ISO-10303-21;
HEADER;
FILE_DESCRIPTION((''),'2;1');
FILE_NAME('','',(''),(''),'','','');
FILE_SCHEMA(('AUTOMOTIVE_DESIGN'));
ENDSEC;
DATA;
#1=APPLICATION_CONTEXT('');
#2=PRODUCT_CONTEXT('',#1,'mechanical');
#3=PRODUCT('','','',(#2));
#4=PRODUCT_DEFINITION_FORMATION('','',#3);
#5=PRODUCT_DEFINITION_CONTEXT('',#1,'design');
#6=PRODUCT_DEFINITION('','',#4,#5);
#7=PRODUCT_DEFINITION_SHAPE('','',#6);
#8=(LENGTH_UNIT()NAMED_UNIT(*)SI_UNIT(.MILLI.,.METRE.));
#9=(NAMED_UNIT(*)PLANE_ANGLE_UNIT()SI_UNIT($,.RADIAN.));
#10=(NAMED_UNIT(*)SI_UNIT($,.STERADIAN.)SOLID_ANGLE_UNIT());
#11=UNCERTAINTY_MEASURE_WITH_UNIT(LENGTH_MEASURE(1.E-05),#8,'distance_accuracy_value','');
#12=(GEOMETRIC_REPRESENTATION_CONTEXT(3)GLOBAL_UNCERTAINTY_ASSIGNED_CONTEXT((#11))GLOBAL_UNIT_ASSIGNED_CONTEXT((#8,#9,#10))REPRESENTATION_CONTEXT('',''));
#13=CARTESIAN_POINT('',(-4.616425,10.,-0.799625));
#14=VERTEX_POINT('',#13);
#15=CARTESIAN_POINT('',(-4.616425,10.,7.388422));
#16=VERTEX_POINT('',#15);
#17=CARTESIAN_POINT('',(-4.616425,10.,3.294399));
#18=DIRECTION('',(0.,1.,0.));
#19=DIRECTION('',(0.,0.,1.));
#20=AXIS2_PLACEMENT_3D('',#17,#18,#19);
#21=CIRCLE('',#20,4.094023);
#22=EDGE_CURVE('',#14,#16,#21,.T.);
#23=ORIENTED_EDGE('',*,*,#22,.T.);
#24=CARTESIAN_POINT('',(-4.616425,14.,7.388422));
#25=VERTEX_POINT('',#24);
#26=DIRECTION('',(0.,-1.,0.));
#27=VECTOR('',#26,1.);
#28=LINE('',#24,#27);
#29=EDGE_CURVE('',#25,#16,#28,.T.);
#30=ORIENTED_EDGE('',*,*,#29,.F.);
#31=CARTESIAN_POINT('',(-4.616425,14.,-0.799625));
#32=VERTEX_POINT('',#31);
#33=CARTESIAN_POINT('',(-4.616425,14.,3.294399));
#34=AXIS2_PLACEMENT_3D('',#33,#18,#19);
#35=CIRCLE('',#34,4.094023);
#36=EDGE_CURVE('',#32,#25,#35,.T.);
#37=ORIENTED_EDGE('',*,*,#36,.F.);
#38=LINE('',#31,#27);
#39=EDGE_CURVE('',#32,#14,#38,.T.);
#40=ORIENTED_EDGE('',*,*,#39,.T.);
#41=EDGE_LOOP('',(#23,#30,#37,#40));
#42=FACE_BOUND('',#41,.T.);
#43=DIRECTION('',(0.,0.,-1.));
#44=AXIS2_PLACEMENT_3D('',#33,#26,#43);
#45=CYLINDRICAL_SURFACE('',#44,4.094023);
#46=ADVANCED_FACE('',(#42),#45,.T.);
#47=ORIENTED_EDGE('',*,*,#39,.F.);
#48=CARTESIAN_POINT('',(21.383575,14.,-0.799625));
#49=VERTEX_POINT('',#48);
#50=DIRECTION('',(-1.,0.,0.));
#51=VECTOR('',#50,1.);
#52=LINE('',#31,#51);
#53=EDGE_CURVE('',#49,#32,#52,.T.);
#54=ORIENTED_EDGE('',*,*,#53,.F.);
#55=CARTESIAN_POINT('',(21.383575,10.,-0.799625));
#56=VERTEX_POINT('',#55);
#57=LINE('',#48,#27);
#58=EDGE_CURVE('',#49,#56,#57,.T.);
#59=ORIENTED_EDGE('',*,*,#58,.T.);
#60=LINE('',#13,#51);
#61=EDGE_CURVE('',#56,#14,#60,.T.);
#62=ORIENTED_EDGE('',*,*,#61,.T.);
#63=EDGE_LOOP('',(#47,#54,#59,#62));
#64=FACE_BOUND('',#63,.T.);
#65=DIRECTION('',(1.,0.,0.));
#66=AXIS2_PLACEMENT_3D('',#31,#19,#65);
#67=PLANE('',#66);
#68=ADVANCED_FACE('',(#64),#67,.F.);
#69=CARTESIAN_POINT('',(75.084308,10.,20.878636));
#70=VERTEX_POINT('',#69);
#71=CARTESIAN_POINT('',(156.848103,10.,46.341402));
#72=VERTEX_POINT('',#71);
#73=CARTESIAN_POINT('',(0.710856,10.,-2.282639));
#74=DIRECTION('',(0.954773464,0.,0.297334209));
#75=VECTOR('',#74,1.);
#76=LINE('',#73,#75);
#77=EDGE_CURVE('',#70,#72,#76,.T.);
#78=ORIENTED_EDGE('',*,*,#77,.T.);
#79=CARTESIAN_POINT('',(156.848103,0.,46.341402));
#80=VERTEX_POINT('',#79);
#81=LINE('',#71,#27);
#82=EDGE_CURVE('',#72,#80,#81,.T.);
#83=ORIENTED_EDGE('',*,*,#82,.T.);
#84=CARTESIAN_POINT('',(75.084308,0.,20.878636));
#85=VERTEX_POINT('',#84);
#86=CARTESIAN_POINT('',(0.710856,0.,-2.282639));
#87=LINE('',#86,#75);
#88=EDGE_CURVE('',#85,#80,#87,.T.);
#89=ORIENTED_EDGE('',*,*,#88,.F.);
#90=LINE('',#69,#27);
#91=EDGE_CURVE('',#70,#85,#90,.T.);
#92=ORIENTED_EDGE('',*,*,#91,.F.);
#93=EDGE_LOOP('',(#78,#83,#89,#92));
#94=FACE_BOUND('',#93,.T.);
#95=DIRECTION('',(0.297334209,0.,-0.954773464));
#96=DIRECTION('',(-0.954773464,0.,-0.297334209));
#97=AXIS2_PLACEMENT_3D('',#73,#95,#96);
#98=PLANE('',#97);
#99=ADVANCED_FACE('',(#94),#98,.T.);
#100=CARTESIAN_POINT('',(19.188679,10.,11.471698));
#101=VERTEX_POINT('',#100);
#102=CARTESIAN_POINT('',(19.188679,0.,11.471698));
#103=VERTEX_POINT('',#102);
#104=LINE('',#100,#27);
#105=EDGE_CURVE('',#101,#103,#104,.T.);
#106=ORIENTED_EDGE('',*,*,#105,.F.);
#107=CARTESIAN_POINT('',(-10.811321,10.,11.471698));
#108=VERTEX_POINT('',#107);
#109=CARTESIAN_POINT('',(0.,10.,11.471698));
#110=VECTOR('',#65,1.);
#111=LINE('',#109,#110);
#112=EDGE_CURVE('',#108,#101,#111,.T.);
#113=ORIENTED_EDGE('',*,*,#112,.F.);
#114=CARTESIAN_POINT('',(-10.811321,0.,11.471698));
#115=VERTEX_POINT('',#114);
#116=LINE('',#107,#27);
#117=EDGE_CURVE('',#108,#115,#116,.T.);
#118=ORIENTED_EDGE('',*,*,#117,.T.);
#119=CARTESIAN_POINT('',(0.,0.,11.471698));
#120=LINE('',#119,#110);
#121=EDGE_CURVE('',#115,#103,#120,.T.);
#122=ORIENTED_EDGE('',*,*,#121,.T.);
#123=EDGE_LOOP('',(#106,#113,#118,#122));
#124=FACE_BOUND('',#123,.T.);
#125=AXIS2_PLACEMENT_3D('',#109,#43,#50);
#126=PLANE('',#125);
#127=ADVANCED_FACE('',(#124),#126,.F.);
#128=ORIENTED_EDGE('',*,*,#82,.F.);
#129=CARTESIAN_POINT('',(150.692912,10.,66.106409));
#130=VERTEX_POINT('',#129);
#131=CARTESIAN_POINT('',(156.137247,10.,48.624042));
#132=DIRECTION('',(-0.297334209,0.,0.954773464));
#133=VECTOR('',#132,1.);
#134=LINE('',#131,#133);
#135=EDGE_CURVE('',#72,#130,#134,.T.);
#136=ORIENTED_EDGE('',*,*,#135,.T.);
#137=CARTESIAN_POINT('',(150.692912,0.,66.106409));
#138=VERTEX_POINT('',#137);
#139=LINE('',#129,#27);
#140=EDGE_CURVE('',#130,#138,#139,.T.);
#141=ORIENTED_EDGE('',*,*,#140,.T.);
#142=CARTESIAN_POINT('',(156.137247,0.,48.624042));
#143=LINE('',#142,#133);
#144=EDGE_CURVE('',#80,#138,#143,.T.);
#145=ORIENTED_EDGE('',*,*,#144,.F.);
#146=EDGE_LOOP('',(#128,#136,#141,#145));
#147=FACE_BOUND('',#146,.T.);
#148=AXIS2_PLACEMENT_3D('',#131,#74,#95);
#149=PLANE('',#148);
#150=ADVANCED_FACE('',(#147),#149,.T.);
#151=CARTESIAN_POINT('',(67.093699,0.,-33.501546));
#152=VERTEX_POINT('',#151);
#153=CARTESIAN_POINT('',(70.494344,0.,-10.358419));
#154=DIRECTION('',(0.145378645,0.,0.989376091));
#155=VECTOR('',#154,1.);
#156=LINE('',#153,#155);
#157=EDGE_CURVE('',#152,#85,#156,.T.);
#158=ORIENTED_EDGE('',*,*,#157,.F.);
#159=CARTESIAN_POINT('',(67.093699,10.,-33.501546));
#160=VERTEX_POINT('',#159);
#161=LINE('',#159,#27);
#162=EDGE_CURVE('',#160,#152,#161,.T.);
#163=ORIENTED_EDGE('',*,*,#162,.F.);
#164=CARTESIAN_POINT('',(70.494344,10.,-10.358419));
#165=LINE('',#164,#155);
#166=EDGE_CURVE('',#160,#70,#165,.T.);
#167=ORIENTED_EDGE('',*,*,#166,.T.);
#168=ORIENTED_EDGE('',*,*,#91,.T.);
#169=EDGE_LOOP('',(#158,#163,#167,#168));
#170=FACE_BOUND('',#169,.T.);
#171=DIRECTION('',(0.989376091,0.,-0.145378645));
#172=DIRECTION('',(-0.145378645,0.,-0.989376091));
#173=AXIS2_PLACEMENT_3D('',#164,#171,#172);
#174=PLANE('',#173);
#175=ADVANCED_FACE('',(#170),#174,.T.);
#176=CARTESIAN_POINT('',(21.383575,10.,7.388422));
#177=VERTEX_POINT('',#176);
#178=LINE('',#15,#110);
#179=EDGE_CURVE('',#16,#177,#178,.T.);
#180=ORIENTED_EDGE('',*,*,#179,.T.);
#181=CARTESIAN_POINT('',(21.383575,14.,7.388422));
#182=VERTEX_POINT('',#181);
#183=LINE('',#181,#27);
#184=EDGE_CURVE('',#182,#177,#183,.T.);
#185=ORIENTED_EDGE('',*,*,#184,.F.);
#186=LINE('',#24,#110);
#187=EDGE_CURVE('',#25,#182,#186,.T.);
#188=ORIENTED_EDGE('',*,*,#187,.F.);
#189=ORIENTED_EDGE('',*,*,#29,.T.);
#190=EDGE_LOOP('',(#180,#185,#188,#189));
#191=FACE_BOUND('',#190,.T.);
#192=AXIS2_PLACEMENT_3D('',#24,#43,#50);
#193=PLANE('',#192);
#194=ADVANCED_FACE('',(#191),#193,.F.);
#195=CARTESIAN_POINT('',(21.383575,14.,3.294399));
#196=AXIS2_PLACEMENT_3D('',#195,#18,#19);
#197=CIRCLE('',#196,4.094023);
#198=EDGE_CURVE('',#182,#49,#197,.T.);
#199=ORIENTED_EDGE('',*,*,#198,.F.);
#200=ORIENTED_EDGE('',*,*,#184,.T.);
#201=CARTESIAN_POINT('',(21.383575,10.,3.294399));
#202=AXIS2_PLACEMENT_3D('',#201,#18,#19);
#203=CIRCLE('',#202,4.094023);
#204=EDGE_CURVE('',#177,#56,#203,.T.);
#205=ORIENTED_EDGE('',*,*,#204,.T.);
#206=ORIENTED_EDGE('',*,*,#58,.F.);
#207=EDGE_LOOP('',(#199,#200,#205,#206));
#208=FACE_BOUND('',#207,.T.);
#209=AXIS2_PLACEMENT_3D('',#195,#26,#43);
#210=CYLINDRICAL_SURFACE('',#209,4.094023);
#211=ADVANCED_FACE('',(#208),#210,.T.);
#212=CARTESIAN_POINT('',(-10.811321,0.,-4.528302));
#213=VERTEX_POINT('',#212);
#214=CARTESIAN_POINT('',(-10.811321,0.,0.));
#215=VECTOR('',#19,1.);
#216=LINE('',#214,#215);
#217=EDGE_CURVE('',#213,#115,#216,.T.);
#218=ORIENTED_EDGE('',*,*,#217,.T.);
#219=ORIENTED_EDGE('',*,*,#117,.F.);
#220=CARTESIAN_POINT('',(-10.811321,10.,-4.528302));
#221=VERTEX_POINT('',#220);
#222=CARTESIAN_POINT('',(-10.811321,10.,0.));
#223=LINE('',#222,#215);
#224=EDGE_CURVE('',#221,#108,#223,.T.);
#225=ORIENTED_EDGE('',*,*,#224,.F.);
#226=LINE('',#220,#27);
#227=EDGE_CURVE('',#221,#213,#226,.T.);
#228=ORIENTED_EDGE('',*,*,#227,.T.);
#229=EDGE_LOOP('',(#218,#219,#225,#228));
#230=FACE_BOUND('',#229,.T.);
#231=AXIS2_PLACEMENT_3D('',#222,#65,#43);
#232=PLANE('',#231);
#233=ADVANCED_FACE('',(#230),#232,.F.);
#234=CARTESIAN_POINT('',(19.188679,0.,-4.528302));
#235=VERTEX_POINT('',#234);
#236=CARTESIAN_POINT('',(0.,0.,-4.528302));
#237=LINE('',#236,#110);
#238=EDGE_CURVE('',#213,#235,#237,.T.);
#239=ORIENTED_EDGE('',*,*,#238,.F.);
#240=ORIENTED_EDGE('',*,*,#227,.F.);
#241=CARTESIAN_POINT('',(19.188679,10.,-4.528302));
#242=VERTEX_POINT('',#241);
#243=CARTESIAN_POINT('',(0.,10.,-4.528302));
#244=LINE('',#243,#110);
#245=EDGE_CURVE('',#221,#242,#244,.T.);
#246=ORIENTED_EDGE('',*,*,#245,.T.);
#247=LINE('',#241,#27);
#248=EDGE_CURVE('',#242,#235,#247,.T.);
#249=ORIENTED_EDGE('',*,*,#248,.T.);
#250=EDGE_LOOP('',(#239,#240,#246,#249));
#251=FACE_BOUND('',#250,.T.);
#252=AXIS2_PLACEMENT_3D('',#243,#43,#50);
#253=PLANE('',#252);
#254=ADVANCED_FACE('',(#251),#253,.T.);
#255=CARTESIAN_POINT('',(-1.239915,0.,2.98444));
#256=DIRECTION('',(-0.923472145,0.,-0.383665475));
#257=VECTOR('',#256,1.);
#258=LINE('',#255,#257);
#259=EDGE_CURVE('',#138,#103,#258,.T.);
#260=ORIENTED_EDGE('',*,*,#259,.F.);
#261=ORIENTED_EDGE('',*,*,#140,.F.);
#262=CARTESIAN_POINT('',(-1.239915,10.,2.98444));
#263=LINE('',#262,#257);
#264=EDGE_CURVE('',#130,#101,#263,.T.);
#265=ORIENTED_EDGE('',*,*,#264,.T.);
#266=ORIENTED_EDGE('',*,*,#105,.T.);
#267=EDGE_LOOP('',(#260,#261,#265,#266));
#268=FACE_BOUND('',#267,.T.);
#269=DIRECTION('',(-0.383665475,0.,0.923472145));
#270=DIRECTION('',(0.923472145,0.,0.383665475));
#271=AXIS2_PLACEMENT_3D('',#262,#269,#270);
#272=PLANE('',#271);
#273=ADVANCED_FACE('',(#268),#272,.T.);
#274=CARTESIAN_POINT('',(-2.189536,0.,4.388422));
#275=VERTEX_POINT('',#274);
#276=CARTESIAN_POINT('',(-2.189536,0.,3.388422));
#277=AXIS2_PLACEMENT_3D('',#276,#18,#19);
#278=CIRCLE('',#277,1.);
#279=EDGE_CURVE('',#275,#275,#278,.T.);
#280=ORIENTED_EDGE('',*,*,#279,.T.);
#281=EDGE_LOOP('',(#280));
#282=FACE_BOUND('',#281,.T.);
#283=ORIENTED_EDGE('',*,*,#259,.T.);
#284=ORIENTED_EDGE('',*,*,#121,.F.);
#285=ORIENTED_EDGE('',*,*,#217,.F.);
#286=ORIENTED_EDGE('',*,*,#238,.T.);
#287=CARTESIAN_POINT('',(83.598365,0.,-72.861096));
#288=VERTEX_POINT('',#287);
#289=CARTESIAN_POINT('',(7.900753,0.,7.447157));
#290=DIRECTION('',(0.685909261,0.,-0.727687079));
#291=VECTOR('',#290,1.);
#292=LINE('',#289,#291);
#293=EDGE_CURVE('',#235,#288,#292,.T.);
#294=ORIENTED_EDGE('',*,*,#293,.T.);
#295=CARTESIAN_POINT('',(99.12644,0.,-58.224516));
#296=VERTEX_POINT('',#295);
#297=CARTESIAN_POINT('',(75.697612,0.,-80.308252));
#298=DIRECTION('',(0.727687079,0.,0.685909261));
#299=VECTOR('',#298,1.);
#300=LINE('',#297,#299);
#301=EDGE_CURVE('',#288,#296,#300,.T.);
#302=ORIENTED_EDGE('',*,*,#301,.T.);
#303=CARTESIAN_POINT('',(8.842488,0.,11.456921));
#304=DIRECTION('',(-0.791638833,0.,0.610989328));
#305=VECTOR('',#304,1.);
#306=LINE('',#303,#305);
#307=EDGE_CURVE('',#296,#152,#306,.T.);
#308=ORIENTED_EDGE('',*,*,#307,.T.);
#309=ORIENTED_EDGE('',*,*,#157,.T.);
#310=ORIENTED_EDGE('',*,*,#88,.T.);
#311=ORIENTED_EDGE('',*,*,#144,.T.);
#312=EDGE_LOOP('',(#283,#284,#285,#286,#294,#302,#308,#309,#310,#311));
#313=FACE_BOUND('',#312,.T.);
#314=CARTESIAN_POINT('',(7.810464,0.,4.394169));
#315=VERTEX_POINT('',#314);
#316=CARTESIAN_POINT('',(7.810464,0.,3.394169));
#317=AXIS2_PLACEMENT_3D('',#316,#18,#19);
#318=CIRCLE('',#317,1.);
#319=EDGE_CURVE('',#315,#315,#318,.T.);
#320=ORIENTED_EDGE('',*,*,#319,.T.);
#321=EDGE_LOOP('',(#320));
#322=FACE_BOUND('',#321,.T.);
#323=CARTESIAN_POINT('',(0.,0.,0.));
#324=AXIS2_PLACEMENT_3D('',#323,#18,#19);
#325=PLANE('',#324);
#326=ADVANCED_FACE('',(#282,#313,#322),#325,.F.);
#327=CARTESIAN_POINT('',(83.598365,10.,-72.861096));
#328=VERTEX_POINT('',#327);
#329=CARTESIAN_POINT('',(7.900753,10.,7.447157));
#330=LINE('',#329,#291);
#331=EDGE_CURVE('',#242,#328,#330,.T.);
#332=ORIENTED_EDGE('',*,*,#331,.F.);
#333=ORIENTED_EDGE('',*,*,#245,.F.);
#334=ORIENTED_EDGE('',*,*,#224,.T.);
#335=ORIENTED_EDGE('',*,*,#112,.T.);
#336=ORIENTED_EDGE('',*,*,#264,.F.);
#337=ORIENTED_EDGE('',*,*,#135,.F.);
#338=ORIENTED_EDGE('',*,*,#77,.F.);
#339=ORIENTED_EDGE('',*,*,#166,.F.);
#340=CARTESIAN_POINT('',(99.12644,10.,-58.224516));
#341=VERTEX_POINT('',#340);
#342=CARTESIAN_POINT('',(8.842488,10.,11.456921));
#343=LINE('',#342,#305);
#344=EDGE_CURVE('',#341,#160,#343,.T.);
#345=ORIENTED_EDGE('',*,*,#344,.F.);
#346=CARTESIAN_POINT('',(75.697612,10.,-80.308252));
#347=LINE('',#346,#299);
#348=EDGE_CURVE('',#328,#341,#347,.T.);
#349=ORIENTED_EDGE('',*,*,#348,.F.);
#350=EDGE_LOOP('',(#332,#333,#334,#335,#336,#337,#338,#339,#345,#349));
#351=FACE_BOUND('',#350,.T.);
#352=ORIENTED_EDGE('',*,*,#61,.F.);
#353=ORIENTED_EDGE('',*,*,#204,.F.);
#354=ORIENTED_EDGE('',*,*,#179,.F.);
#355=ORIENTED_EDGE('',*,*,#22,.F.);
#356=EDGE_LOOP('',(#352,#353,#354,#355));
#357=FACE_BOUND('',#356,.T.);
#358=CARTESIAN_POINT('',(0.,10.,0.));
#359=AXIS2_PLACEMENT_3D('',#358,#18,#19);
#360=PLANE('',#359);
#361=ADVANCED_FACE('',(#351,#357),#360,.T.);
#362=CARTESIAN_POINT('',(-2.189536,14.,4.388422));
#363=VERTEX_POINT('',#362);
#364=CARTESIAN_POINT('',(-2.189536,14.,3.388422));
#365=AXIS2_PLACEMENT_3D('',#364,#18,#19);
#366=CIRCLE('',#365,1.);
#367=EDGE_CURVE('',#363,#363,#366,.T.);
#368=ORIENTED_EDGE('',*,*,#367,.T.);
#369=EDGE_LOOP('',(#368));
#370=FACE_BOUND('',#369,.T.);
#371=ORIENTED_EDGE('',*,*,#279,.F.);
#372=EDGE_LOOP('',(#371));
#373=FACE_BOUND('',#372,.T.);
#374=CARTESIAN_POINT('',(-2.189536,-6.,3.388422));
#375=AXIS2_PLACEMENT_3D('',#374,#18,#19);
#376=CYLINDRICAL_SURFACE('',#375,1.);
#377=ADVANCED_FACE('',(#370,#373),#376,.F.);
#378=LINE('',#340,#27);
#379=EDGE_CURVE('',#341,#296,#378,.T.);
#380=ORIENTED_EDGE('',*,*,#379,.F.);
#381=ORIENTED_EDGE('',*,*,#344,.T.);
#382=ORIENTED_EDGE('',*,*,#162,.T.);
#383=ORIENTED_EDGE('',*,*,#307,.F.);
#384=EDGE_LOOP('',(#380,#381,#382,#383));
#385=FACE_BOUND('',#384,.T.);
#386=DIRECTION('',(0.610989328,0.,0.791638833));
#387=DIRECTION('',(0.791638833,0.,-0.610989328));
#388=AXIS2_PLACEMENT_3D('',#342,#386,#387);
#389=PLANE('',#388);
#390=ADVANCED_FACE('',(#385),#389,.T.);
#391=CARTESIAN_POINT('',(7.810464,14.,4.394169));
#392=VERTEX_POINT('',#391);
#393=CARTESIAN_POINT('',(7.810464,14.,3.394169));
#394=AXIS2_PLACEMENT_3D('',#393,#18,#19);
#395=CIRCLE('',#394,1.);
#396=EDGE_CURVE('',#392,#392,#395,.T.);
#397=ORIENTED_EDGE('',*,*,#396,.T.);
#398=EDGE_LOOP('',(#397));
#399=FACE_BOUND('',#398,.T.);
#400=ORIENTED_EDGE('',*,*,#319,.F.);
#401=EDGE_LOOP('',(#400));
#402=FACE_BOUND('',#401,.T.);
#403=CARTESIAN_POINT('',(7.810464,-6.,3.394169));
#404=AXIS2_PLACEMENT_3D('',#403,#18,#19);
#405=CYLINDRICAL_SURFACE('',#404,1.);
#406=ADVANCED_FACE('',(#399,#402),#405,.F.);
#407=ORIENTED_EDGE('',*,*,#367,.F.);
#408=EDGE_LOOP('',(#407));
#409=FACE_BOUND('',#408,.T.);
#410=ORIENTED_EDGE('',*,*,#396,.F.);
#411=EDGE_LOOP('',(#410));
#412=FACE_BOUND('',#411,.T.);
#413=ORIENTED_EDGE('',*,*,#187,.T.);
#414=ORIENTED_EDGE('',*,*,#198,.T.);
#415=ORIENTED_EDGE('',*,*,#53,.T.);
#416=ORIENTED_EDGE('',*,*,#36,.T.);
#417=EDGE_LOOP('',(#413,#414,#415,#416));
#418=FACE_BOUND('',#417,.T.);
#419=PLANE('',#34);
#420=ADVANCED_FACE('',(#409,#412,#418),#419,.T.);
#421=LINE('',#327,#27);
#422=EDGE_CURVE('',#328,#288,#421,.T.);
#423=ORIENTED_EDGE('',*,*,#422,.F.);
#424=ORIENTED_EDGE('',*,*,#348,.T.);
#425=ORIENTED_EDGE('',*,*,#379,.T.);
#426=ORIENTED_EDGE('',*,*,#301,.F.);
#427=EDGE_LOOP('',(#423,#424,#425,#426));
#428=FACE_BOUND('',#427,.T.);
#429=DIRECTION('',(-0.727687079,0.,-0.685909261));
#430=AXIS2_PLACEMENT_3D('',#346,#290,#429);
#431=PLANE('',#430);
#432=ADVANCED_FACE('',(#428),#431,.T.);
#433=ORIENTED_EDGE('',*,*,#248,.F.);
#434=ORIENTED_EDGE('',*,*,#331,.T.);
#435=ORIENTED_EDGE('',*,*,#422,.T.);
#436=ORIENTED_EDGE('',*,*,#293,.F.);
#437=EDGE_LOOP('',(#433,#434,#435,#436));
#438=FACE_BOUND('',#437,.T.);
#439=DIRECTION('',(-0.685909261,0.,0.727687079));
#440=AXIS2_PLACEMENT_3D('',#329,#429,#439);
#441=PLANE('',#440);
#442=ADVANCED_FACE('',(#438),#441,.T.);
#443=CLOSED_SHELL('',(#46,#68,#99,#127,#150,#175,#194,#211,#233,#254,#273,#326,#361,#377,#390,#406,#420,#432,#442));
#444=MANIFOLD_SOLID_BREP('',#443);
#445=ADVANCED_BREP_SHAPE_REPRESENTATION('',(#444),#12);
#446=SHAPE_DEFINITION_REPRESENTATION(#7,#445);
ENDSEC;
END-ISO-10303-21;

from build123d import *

# Parameters (mm, degrees)
SKETCH1_W           = 30
SKETCH1_H           = 16
BOSS_EXTRUDE1_DEPTH = 10
BOSS_EXTRUDE2_DEPTH = 4
SKETCH3_R           = 1
CUT_EXTRUDE1_DEPTH  = 20


with BuildPart() as part:
    # Sketch1 → Boss-Extrude1 (new body)
    with BuildSketch(Plane(origin=(0, 0, 0), x_dir=(1, 0, 0), z_dir=(0, 1, 0))):
        Polygon((83.598365037, 72.861095688), (19.188679245, 4.528301887), (19.188679245, -3.471698113), (67.093699226, 33.50154619), (99.126439745, 58.224515545), align=None)
        Polygon((75.084307937, -20.878636135), (19.188679245, -3.471698113), (19.188679245, -11.471698113), (150.692912318, -66.106409411), (156.848103065, -46.341402143), align=None)
        with Locations((4.188679245, -3.471698113)):
            Rectangle(SKETCH1_W, SKETCH1_H)
        Polygon((67.093699226, 33.50154619), (19.188679245, -3.471698113), (75.084307937, -20.878636135), align=None)
    extrude(amount=BOSS_EXTRUDE1_DEPTH)

    # Sketch2 → Boss-Extrude2 (add)
    with BuildSketch(Plane(origin=(0, 10, 0), x_dir=(1, 0, 0), z_dir=(0, 1, 0))):
        with BuildLine():
            Line((-4.616424759, 0.799624641), (21.383575241, 0.799624641))
            ThreePointArc((21.383575241, 0.799624641), (25.477598736, -3.294398854), (21.383575241, -7.38842235))
            Line((21.383575241, -7.38842235), (-4.616424759, -7.38842235))
            ThreePointArc((-4.616424759, -7.38842235), (-8.710448255, -3.294398854), (-4.616424759, 0.799624641))
        make_face()
    extrude(amount=BOSS_EXTRUDE2_DEPTH)

    # Sketch3 → Cut-Extrude1 (cut)
    with BuildSketch(Plane(origin=(0, 14, 0), x_dir=(1, 0, 0), z_dir=(0, 1, 0))):
        with Locations(Location((-2.189535813, -3.38842235, 0), (0, 0, 270))):
            Circle(SKETCH3_R)
        with Locations(Location((7.810464187, -3.394168988, 0), (0, 0, 270))):
            Circle(SKETCH3_R)
    extrude(amount=-CUT_EXTRUDE1_DEPTH, mode=Mode.SUBTRACT)


solid = part.part
